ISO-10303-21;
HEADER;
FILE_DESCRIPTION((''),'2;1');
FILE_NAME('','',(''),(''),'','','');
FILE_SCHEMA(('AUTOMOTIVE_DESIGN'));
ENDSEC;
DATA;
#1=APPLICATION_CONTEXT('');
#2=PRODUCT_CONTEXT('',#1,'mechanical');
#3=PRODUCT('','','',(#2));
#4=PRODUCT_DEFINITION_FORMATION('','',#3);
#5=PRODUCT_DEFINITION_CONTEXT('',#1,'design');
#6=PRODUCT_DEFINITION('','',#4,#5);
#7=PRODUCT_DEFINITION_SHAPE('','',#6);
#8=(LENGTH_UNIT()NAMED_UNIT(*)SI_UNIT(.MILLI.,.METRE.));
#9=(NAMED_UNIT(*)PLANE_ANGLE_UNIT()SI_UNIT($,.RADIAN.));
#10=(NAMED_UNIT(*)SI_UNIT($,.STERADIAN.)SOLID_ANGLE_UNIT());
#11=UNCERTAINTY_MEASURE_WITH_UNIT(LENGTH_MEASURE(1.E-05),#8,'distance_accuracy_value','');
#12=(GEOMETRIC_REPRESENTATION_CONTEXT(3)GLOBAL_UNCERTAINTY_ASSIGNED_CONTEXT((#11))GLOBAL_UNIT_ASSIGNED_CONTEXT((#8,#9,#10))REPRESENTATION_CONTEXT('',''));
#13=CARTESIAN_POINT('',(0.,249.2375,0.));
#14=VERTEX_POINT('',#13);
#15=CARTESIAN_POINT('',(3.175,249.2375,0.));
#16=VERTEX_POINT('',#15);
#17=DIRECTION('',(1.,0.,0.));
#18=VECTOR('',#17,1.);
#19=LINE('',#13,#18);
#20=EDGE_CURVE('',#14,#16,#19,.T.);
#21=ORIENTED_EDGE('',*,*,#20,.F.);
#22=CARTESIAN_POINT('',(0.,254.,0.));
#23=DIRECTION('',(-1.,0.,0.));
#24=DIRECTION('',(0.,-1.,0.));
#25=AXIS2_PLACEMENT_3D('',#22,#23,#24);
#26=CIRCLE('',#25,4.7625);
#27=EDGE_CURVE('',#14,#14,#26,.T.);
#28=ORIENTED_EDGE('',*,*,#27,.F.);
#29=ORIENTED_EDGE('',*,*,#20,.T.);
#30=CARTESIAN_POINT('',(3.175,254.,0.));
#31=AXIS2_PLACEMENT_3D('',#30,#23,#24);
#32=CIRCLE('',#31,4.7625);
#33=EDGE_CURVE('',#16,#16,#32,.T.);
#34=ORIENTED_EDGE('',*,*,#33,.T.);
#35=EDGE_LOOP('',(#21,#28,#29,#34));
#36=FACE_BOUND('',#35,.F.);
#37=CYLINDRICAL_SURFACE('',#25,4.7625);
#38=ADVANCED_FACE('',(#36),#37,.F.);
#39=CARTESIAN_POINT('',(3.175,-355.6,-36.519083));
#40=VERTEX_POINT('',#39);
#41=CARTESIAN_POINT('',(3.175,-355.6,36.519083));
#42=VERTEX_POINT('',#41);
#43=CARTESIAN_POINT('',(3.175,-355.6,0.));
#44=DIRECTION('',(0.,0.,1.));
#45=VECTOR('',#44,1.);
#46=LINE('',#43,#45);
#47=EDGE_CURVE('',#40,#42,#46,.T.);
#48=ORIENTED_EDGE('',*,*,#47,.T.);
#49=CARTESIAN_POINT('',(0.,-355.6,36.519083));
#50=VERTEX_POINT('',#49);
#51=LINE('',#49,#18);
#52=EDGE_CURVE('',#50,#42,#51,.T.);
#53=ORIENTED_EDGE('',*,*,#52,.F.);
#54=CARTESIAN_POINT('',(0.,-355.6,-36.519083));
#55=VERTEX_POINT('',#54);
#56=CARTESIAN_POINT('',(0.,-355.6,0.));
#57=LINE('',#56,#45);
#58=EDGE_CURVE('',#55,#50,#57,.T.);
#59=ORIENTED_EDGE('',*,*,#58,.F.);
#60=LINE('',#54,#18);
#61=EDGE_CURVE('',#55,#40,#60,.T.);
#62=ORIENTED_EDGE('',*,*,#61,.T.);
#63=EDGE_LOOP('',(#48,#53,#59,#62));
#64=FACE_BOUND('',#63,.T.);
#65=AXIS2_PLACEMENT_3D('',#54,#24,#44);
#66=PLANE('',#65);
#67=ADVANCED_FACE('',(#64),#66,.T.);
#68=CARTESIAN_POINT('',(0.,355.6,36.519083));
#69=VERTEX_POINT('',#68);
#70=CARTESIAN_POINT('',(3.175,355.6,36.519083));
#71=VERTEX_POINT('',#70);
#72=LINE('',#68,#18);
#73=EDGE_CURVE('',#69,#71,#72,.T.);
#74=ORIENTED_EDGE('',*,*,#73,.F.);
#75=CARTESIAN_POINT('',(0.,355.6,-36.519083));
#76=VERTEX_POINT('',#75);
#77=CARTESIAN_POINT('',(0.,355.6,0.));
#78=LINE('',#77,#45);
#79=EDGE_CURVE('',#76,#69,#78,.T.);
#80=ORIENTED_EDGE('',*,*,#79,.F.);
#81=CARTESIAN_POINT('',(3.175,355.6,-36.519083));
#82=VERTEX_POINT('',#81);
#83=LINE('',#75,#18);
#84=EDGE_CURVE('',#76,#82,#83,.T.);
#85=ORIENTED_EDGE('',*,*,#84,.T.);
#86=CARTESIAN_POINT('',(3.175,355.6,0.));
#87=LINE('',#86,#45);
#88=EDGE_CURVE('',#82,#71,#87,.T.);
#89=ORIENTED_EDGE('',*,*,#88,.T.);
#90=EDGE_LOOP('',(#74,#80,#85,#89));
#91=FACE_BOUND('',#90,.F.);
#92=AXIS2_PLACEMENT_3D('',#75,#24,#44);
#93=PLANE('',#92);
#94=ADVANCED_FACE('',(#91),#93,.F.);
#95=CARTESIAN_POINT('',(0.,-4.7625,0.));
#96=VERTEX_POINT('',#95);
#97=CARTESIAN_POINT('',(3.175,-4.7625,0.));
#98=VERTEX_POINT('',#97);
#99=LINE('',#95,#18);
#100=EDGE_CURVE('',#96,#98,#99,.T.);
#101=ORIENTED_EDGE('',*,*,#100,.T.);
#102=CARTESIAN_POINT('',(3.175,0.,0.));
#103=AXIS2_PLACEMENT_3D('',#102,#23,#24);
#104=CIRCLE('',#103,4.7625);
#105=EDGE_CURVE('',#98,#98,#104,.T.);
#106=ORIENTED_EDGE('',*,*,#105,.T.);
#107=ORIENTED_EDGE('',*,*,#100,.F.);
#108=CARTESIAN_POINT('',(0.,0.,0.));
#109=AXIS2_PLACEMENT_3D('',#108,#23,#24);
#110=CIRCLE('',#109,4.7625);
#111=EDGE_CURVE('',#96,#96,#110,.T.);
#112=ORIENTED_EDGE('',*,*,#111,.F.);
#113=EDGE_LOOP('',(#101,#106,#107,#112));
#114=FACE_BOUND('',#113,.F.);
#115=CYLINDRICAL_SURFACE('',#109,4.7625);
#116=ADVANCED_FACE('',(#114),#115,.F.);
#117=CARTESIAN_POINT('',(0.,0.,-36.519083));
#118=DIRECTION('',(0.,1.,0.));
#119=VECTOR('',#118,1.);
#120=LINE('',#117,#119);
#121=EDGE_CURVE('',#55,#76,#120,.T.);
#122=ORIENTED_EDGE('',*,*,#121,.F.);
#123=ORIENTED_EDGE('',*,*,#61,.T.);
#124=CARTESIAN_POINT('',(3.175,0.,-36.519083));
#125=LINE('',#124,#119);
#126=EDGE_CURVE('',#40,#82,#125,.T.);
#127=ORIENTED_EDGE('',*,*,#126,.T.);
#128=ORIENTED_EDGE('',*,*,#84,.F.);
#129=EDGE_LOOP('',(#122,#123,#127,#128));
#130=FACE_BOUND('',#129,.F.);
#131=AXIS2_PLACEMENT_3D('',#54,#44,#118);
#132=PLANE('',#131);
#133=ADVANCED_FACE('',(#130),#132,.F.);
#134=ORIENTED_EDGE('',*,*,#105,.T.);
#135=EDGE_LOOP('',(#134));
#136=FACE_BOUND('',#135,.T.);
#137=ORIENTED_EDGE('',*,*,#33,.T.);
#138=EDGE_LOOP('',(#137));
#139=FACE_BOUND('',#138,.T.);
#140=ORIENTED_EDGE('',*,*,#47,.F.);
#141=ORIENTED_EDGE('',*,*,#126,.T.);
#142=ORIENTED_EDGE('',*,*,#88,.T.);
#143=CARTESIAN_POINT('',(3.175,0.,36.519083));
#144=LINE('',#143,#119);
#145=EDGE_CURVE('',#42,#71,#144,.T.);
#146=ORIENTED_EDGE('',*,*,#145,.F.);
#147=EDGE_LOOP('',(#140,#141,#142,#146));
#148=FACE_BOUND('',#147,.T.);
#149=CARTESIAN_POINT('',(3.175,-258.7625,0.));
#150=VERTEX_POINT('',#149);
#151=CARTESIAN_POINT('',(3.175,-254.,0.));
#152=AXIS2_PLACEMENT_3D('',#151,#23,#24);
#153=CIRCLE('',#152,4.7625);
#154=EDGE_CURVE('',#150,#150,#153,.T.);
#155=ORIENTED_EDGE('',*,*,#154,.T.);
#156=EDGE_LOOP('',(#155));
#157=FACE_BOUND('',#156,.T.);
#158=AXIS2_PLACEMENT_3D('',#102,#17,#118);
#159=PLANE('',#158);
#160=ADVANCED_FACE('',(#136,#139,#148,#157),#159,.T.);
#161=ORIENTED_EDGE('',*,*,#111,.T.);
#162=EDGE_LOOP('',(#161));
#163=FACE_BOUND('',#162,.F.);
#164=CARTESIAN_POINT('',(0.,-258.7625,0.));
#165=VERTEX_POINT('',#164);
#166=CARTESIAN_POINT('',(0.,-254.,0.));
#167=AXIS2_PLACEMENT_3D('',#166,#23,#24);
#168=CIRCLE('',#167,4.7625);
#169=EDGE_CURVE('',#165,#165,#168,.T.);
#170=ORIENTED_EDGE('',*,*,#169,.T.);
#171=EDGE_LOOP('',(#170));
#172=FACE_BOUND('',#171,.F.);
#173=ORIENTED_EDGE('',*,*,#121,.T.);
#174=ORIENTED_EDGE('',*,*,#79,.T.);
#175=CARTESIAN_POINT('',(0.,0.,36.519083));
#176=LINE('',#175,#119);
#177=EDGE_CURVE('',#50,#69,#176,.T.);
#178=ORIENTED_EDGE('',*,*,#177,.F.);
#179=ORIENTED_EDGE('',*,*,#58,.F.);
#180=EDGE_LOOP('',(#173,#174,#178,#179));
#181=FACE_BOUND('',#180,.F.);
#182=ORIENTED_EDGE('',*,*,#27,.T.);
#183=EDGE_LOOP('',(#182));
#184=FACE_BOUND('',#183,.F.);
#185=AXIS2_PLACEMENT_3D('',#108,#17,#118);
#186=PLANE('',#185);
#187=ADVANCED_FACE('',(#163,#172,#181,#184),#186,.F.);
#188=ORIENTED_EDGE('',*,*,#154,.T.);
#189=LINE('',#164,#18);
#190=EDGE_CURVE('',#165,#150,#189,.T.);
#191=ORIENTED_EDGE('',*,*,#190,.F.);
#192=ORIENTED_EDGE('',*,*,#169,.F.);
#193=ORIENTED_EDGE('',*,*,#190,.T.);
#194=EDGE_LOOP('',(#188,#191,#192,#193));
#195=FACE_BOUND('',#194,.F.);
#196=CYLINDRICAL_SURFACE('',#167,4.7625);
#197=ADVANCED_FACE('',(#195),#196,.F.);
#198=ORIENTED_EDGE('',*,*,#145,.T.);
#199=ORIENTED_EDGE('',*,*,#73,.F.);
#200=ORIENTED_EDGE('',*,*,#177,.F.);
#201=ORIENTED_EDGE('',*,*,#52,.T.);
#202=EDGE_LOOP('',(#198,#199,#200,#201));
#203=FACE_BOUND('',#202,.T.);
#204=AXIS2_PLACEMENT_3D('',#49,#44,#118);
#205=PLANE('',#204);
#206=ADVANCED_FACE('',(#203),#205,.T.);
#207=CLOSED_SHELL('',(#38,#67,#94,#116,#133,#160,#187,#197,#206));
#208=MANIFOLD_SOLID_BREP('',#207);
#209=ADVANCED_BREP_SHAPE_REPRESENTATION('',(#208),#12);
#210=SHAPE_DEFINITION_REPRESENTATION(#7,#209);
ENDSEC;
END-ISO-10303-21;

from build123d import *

# Parameters (mm, degrees)
F0_W     = 711.2
F0_H     = 73.038166
F1_DEPTH = 3.175
F2_R     = 4.7625
F3_DEPTH = 3.175


with BuildPart() as f1:
    # F0 (on Right) → F1 (new body)
    with BuildSketch(Plane.YZ):
        Rectangle(F0_W, F0_H)
    extrude(amount=F1_DEPTH)

    # F2 (on face) → F3 (cut, through all)
    with BuildSketch(Plane(origin=(0, 0, 0), x_dir=(0, -1, 0), z_dir=(-1, 0, 0))):
        with Locations((-254, 0)):
            Circle(F2_R)
        Circle(F2_R)
        with Locations((254, 0)):
            Circle(F2_R)
    extrude(amount=-F3_DEPTH, mode=Mode.SUBTRACT)


solid = f1.part
